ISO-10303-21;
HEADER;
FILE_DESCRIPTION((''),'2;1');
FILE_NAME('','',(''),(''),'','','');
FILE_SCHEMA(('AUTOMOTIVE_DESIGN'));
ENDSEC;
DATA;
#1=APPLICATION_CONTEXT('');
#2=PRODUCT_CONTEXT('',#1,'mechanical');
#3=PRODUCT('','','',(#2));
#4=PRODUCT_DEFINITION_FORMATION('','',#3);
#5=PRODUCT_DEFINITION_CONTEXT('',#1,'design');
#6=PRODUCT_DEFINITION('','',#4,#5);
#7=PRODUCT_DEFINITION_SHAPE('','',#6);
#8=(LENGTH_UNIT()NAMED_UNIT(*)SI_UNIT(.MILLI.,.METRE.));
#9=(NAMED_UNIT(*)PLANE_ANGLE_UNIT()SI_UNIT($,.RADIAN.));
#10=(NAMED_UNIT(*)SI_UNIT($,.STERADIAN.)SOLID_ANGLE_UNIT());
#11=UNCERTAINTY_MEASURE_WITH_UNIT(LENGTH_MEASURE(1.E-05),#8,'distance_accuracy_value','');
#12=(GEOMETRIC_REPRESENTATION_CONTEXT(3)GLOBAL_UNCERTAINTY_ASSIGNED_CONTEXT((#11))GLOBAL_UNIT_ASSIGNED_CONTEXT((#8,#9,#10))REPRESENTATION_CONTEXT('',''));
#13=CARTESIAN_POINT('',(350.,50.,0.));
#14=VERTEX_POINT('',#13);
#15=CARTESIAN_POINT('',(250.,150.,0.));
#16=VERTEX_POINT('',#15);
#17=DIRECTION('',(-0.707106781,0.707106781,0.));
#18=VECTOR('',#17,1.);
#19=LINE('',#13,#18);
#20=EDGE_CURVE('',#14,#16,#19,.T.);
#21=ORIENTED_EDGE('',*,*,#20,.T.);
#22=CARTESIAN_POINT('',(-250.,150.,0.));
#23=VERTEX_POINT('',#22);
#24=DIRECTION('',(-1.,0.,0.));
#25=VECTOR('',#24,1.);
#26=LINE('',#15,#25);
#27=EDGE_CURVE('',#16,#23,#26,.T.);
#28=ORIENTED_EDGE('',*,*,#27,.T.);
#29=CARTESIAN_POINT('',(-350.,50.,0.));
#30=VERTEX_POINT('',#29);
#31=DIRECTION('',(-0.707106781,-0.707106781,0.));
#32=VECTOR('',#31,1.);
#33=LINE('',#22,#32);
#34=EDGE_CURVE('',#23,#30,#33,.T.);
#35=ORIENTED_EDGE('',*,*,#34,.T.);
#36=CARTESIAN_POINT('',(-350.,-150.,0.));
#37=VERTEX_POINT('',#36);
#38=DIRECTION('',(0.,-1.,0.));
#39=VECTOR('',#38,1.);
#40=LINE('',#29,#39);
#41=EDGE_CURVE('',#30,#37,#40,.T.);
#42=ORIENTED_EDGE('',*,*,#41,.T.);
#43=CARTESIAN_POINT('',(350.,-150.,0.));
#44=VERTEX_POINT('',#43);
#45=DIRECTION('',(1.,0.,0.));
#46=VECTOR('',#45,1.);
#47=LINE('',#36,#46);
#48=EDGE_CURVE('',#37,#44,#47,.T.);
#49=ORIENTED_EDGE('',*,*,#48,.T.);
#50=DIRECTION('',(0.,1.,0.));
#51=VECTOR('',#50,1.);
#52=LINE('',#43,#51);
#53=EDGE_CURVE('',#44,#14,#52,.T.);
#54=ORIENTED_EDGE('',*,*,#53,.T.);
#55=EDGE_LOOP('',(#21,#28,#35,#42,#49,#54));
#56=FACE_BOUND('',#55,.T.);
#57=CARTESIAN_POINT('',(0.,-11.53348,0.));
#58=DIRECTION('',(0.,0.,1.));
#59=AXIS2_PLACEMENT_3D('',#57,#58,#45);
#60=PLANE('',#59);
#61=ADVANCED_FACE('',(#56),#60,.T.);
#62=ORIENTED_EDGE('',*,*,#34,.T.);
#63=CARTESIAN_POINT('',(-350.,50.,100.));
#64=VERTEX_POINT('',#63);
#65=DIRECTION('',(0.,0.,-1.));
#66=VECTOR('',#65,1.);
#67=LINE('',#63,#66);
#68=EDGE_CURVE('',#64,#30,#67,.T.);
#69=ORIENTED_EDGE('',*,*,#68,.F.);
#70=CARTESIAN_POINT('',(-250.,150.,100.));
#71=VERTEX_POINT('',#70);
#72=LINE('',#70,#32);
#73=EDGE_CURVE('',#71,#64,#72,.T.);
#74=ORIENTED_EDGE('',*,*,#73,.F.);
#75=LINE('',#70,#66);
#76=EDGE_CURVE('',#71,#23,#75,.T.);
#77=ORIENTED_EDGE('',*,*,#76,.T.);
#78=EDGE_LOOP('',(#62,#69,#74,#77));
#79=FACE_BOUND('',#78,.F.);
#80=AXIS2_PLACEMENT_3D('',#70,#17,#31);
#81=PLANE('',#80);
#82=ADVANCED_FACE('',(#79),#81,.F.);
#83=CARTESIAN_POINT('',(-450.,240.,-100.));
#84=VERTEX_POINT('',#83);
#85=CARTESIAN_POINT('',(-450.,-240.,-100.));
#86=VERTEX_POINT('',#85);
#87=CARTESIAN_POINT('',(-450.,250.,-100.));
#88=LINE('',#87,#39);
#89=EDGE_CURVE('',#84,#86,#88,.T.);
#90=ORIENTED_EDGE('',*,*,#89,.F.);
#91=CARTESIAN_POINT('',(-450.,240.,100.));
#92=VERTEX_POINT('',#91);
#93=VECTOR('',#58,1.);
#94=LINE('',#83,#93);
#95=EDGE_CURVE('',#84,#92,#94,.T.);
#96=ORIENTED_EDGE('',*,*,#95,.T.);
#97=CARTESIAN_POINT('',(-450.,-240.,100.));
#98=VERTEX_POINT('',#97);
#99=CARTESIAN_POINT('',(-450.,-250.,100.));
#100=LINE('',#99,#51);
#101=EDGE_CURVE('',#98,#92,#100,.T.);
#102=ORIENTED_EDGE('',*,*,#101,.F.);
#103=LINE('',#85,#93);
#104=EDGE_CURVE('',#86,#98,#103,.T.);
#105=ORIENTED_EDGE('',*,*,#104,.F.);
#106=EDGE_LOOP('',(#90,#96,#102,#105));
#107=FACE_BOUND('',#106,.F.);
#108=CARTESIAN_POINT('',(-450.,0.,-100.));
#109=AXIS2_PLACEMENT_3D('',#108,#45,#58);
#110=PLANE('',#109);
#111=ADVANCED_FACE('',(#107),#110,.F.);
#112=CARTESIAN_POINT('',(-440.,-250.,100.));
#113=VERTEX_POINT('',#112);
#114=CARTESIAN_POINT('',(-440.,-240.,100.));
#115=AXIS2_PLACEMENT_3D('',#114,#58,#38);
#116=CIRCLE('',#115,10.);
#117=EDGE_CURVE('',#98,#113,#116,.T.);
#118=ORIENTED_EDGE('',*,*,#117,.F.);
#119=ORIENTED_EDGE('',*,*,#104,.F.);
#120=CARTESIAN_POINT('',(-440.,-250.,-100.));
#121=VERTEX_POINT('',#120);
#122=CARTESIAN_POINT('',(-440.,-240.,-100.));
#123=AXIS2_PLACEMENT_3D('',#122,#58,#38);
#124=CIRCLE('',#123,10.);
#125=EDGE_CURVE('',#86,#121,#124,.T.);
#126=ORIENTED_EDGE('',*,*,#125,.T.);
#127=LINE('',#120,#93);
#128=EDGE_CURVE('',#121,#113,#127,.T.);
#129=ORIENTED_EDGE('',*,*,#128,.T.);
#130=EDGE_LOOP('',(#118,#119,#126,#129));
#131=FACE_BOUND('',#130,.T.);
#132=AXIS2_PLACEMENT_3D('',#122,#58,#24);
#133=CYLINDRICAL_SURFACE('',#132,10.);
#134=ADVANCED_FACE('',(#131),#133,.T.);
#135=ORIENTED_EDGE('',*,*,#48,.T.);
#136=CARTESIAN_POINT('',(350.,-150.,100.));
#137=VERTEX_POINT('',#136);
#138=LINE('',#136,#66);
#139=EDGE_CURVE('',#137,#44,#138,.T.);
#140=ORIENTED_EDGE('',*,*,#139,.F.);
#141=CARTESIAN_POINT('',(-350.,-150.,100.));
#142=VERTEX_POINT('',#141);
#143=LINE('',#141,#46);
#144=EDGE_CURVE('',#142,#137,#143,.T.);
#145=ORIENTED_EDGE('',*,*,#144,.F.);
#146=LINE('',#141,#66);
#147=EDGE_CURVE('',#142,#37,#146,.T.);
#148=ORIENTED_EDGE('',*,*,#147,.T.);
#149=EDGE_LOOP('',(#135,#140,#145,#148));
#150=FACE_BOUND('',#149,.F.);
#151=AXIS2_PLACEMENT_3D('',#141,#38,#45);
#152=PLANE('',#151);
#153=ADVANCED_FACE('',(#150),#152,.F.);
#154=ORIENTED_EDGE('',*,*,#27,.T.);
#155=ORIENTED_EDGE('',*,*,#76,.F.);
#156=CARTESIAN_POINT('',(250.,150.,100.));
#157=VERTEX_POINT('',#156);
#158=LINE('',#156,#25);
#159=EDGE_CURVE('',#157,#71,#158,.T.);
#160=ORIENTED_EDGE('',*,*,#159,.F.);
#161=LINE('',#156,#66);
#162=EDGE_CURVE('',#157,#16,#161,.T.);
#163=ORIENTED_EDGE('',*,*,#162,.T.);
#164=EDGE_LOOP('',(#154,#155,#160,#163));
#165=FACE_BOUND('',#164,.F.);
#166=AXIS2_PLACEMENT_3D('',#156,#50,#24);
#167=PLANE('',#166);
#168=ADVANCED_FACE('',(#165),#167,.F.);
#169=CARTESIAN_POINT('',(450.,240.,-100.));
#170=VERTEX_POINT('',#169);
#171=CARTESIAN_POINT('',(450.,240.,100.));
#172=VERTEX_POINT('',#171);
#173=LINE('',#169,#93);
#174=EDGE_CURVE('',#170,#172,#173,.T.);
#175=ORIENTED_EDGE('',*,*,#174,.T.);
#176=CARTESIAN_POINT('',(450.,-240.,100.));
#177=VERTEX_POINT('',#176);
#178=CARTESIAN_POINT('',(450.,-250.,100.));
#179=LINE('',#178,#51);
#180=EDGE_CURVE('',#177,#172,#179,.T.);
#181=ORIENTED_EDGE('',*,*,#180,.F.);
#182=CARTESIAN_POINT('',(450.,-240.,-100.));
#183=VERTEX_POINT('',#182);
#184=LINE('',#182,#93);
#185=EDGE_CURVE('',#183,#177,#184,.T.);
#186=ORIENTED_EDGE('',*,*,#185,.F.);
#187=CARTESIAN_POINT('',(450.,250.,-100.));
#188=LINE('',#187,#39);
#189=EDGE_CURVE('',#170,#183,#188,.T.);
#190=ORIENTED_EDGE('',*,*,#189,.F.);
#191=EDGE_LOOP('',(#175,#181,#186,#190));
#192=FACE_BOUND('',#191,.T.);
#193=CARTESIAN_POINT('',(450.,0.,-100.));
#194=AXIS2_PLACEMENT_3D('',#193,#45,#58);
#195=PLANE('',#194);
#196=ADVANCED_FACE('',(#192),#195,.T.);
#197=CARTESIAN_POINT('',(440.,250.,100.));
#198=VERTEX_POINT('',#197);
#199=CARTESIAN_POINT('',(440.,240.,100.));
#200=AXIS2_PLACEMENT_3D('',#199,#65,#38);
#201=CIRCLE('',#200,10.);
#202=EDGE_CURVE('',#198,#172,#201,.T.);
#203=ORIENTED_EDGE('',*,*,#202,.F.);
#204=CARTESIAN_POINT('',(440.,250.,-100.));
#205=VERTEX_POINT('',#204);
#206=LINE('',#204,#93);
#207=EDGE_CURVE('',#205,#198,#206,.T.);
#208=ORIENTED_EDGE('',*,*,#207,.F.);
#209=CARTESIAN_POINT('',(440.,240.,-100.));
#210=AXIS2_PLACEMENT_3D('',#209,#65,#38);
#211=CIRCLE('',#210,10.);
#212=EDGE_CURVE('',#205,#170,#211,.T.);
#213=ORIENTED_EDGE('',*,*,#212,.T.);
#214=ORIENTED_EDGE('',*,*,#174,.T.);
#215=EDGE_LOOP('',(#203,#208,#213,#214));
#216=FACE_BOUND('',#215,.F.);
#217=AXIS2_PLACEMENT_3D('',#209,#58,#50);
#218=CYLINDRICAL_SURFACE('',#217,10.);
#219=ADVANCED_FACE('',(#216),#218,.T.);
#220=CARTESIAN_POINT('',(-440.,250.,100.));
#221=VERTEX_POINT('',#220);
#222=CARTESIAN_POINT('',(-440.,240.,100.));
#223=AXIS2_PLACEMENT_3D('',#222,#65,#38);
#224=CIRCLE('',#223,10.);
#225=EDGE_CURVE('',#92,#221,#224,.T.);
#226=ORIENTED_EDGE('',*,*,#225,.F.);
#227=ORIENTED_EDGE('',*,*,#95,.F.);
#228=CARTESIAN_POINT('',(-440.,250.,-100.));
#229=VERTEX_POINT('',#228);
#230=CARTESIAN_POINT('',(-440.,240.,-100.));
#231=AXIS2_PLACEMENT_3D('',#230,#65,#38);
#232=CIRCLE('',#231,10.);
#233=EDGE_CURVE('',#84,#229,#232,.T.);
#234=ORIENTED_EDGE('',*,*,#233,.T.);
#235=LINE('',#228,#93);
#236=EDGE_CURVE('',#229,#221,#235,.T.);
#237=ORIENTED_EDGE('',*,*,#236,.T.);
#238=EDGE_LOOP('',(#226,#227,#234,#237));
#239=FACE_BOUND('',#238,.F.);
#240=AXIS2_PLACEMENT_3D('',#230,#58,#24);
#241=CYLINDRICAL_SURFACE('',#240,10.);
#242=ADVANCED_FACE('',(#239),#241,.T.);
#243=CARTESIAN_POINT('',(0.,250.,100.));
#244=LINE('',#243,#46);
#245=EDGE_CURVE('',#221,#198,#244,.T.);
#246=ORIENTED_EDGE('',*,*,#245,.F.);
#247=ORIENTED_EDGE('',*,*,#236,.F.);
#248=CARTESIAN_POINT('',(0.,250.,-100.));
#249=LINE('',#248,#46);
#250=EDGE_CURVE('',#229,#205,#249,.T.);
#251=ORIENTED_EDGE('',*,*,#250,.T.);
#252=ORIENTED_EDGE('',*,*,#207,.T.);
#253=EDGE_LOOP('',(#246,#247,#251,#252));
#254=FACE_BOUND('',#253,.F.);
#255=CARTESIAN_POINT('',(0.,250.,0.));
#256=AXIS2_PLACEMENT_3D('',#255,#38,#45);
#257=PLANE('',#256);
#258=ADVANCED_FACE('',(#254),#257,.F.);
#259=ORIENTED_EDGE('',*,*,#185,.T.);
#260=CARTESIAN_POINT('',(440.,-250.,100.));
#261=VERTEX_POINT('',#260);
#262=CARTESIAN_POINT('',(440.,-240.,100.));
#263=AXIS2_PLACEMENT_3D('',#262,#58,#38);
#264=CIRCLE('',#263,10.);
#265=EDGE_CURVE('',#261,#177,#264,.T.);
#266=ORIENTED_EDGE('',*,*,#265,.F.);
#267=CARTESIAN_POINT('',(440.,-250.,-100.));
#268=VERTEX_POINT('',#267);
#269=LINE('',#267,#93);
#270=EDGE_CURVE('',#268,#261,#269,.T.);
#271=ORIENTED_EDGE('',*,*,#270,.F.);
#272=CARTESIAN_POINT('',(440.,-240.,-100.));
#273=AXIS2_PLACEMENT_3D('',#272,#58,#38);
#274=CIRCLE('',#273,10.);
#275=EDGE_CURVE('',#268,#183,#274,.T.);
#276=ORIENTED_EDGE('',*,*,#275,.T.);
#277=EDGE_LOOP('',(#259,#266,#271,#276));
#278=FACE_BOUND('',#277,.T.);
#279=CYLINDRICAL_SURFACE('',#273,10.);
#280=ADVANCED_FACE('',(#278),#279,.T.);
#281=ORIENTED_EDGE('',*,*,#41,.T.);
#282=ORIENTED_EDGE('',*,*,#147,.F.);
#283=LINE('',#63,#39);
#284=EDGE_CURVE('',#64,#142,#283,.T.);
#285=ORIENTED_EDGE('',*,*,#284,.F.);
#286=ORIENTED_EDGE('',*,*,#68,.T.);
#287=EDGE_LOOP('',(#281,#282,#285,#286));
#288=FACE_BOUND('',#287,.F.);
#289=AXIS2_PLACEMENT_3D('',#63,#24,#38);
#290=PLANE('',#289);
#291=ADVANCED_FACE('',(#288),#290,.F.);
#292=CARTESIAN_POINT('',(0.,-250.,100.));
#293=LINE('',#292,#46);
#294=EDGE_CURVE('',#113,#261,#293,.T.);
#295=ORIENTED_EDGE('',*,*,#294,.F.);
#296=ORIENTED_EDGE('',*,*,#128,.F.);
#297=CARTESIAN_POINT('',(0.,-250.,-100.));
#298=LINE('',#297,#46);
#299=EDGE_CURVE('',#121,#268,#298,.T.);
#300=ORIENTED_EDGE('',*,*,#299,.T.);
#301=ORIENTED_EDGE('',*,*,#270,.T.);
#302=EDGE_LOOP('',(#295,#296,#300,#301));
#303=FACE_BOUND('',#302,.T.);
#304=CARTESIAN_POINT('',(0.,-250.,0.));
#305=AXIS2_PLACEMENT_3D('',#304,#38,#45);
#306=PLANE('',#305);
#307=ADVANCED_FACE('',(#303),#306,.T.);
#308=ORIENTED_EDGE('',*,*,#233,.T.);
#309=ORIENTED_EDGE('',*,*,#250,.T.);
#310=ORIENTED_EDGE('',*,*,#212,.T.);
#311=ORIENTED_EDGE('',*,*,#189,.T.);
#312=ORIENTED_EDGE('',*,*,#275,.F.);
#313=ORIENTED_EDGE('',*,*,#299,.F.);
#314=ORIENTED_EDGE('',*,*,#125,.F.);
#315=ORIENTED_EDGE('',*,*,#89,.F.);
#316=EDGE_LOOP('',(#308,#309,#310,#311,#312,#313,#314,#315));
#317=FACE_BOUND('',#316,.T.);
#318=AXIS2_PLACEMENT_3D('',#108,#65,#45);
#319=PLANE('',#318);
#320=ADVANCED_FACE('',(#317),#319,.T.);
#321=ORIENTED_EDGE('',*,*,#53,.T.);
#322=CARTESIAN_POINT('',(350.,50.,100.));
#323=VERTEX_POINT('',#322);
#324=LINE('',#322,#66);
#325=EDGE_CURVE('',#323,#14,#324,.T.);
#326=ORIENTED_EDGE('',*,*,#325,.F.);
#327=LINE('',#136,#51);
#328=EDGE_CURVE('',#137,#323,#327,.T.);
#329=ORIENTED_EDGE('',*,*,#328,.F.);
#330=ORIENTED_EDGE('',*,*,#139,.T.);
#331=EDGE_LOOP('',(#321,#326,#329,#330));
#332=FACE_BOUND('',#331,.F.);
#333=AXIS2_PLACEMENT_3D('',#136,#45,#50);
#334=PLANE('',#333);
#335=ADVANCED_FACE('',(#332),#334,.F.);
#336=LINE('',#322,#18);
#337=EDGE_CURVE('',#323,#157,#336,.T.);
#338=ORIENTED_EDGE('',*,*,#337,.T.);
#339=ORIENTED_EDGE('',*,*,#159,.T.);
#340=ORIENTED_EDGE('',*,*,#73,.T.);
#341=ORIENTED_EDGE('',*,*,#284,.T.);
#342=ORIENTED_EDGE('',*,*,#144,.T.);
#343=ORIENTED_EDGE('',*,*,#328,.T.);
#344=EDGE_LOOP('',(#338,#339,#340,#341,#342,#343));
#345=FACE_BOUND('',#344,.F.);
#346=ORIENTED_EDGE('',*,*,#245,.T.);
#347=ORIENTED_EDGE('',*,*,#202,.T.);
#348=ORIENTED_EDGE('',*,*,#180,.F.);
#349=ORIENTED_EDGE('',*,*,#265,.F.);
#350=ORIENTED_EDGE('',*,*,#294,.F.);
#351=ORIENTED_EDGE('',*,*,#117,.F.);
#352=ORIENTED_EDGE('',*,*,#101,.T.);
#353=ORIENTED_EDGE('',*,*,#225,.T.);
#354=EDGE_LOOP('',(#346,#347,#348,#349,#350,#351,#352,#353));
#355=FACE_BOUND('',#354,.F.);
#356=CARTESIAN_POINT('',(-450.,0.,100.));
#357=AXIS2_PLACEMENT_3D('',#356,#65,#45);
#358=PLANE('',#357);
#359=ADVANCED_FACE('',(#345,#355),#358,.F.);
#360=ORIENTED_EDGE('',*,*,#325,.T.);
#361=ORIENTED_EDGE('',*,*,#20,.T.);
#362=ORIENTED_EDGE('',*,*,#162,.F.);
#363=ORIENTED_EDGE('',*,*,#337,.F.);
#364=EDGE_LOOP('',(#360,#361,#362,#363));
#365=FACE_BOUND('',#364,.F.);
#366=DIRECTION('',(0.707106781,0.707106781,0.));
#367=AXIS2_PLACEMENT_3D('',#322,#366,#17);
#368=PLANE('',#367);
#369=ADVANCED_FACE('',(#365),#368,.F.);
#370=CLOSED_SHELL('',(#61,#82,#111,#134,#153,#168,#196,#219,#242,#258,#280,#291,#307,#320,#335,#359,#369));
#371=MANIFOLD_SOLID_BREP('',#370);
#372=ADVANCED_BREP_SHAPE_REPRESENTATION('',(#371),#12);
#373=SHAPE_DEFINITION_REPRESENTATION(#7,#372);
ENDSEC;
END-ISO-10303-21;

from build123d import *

# Parameters (mm, degrees)
F0_W     = 900
F0_H     = 200
F1_DEPTH = 250
F3_DEPTH = 100
F4_R     = 10


with BuildPart() as f1:
    # F0 (on Front) → F1 (new body, symmetric)
    with BuildSketch(Plane.XZ):
        Rectangle(F0_W, F0_H)
    extrude(amount=F1_DEPTH, both=True)

    # F2 (on face) → F3 (cut)
    with BuildSketch(Plane.XY.offset(100)):
        Polygon((-350, -150), (350, -150), (350, 50), (250, 150), (0, 150), (-250, 150), (-350, 50), align=None)
    extrude(amount=-F3_DEPTH, mode=Mode.SUBTRACT)

    # F4
    f4_edges = [f1.edges().sort_by_distance(p)[0] for p in [
        (450, -250, 0),
        (-450, -250, 0),
        (450, 250, 0),
        (-450, 250, 0),
    ]]
    fillet(f4_edges, radius=F4_R)


solid = f1.part
